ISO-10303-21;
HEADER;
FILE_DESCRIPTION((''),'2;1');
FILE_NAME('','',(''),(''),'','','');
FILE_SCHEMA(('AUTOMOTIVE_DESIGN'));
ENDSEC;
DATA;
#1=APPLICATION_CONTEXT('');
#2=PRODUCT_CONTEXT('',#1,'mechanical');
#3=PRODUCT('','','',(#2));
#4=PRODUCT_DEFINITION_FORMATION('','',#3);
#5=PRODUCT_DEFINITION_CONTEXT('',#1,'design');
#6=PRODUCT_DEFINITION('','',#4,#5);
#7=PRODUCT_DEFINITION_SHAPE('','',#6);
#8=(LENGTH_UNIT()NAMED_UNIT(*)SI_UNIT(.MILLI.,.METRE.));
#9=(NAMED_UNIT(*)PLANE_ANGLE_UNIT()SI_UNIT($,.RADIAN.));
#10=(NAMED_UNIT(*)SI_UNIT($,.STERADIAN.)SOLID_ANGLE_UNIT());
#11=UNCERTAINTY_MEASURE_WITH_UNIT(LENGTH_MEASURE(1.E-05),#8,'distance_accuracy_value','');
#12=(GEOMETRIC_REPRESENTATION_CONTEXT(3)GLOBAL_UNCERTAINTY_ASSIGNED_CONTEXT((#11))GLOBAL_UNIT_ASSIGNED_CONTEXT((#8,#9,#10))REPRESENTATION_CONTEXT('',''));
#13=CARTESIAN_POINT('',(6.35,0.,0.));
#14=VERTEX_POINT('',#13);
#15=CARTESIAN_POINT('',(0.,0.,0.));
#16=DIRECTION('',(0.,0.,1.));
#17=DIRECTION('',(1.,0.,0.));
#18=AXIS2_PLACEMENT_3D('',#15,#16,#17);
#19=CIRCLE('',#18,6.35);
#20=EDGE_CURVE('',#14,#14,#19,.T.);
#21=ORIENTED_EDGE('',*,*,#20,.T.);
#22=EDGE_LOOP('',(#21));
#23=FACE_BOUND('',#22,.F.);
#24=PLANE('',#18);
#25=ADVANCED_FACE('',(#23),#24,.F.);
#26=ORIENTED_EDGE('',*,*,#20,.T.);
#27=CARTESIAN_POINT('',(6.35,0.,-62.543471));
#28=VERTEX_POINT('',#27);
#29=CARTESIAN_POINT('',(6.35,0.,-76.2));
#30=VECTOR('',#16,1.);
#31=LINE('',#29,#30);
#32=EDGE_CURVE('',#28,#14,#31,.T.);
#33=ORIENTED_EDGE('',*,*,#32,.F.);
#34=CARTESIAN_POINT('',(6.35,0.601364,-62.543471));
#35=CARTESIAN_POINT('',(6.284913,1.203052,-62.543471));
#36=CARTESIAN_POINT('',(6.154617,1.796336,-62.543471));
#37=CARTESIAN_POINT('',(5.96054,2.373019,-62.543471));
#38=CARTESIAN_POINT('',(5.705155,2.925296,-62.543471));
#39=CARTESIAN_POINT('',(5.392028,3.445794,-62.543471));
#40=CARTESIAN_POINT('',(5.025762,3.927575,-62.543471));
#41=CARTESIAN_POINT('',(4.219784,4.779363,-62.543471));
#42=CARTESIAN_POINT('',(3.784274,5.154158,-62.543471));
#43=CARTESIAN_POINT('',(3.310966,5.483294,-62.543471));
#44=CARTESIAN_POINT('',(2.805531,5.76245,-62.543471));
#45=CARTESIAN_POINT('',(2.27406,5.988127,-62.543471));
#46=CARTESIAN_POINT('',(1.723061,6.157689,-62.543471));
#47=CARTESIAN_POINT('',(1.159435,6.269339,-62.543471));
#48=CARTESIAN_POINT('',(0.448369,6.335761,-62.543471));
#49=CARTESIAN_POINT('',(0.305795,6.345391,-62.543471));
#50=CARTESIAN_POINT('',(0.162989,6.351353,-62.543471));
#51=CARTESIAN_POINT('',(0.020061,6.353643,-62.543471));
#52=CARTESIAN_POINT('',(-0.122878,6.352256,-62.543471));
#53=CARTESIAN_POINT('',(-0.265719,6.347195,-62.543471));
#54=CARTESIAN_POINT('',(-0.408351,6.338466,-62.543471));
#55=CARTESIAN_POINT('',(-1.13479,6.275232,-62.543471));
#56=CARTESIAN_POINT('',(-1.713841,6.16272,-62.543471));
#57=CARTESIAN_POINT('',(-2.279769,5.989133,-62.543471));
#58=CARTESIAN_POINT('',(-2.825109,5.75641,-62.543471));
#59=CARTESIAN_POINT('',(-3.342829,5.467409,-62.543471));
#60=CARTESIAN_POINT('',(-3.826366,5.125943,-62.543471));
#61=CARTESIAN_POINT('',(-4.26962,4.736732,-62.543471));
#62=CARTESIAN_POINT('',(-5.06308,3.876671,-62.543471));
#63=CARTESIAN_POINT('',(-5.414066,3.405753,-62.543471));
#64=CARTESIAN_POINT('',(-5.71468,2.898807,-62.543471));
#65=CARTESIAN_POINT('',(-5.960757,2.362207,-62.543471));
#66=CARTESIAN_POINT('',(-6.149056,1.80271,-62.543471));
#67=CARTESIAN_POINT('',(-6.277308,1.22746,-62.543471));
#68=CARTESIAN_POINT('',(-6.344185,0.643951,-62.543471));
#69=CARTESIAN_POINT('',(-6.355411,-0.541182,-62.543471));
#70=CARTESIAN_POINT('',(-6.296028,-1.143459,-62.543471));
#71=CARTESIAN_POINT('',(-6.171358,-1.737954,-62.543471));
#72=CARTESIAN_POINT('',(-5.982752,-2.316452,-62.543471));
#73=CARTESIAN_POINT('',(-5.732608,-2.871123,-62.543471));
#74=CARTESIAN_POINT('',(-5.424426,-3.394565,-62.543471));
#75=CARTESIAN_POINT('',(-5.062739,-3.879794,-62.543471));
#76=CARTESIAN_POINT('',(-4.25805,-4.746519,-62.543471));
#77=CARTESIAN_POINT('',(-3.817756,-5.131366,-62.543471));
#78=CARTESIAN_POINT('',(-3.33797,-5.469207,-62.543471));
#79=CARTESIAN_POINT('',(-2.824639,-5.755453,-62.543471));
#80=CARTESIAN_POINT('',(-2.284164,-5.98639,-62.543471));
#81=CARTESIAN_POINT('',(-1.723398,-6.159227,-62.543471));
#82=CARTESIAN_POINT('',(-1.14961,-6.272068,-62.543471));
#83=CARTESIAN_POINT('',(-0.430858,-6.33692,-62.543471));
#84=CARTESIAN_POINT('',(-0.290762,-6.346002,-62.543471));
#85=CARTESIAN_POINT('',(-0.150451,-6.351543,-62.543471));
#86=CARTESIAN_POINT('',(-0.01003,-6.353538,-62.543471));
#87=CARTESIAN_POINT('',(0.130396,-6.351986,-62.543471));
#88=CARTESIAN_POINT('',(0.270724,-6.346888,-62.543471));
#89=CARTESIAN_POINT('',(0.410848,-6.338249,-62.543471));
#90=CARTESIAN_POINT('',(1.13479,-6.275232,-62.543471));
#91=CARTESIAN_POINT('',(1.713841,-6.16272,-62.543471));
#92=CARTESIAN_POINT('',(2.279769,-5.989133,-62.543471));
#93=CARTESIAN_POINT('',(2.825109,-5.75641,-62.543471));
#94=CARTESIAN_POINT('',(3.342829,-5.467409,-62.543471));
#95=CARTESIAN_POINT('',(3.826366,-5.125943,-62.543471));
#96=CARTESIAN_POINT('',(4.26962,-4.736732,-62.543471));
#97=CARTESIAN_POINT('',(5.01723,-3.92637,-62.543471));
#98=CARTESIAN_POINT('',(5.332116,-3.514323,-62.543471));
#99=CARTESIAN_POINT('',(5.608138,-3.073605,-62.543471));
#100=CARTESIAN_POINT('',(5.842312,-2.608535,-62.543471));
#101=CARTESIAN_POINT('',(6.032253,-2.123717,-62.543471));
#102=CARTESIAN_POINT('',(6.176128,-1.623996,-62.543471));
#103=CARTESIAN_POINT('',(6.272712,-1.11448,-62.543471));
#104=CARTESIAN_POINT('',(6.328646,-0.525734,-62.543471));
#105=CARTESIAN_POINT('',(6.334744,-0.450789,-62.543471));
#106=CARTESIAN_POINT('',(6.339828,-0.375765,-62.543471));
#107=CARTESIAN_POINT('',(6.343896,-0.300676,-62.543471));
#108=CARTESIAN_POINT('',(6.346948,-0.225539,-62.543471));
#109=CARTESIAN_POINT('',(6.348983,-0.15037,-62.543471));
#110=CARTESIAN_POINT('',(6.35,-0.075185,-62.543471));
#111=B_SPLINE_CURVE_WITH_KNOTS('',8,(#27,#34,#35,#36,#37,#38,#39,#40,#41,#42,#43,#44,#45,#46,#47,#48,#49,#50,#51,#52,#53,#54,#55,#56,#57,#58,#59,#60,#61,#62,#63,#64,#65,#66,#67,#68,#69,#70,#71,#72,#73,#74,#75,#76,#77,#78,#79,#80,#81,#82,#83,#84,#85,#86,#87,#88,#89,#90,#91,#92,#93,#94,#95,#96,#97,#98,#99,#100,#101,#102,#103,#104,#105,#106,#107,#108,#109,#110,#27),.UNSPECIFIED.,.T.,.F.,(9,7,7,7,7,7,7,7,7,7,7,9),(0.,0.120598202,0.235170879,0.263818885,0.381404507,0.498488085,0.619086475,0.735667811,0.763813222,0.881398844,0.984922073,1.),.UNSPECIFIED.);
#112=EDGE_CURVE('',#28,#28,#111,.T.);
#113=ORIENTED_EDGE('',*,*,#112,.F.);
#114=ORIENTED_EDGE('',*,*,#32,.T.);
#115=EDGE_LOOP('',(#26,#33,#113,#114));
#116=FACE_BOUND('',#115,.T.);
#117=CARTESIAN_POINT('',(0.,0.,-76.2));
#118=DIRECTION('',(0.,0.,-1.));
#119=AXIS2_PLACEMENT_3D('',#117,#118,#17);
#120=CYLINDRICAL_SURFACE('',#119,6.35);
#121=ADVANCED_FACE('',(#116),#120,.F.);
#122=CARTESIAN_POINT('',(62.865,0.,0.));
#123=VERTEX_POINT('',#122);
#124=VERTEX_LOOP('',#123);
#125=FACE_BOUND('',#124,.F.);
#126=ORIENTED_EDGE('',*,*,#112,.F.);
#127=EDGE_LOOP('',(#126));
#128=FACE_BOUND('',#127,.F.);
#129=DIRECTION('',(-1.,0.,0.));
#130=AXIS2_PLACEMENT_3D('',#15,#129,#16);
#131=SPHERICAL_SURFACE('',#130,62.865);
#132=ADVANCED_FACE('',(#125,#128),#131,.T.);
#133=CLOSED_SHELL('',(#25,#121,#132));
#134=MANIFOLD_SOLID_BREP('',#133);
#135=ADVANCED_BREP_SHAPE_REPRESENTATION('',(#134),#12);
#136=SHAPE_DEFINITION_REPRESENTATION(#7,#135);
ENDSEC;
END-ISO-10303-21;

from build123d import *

# Parameters (mm, degrees)
F3_R     = 6.35
F4_DEPTH = 76.2


with BuildPart() as f1:
    # F0 (on Front) → F1 (revolve)
    with BuildSketch(Plane.XZ):
        with BuildLine():
            Line((-62.865, 0), (62.865, 0))
            ThreePointArc((62.865, 0), (0, 62.865), (-62.865, 0))
        make_face()
    revolve(axis=Axis((0, 0, 0), (1, 0, 0)))

    # F3 (on offset) → F4 (cut)
    with BuildSketch(Plane.XY.offset(-76.2)):
        Circle(F3_R)
    extrude(amount=F4_DEPTH, mode=Mode.SUBTRACT)


solid = f1.part
